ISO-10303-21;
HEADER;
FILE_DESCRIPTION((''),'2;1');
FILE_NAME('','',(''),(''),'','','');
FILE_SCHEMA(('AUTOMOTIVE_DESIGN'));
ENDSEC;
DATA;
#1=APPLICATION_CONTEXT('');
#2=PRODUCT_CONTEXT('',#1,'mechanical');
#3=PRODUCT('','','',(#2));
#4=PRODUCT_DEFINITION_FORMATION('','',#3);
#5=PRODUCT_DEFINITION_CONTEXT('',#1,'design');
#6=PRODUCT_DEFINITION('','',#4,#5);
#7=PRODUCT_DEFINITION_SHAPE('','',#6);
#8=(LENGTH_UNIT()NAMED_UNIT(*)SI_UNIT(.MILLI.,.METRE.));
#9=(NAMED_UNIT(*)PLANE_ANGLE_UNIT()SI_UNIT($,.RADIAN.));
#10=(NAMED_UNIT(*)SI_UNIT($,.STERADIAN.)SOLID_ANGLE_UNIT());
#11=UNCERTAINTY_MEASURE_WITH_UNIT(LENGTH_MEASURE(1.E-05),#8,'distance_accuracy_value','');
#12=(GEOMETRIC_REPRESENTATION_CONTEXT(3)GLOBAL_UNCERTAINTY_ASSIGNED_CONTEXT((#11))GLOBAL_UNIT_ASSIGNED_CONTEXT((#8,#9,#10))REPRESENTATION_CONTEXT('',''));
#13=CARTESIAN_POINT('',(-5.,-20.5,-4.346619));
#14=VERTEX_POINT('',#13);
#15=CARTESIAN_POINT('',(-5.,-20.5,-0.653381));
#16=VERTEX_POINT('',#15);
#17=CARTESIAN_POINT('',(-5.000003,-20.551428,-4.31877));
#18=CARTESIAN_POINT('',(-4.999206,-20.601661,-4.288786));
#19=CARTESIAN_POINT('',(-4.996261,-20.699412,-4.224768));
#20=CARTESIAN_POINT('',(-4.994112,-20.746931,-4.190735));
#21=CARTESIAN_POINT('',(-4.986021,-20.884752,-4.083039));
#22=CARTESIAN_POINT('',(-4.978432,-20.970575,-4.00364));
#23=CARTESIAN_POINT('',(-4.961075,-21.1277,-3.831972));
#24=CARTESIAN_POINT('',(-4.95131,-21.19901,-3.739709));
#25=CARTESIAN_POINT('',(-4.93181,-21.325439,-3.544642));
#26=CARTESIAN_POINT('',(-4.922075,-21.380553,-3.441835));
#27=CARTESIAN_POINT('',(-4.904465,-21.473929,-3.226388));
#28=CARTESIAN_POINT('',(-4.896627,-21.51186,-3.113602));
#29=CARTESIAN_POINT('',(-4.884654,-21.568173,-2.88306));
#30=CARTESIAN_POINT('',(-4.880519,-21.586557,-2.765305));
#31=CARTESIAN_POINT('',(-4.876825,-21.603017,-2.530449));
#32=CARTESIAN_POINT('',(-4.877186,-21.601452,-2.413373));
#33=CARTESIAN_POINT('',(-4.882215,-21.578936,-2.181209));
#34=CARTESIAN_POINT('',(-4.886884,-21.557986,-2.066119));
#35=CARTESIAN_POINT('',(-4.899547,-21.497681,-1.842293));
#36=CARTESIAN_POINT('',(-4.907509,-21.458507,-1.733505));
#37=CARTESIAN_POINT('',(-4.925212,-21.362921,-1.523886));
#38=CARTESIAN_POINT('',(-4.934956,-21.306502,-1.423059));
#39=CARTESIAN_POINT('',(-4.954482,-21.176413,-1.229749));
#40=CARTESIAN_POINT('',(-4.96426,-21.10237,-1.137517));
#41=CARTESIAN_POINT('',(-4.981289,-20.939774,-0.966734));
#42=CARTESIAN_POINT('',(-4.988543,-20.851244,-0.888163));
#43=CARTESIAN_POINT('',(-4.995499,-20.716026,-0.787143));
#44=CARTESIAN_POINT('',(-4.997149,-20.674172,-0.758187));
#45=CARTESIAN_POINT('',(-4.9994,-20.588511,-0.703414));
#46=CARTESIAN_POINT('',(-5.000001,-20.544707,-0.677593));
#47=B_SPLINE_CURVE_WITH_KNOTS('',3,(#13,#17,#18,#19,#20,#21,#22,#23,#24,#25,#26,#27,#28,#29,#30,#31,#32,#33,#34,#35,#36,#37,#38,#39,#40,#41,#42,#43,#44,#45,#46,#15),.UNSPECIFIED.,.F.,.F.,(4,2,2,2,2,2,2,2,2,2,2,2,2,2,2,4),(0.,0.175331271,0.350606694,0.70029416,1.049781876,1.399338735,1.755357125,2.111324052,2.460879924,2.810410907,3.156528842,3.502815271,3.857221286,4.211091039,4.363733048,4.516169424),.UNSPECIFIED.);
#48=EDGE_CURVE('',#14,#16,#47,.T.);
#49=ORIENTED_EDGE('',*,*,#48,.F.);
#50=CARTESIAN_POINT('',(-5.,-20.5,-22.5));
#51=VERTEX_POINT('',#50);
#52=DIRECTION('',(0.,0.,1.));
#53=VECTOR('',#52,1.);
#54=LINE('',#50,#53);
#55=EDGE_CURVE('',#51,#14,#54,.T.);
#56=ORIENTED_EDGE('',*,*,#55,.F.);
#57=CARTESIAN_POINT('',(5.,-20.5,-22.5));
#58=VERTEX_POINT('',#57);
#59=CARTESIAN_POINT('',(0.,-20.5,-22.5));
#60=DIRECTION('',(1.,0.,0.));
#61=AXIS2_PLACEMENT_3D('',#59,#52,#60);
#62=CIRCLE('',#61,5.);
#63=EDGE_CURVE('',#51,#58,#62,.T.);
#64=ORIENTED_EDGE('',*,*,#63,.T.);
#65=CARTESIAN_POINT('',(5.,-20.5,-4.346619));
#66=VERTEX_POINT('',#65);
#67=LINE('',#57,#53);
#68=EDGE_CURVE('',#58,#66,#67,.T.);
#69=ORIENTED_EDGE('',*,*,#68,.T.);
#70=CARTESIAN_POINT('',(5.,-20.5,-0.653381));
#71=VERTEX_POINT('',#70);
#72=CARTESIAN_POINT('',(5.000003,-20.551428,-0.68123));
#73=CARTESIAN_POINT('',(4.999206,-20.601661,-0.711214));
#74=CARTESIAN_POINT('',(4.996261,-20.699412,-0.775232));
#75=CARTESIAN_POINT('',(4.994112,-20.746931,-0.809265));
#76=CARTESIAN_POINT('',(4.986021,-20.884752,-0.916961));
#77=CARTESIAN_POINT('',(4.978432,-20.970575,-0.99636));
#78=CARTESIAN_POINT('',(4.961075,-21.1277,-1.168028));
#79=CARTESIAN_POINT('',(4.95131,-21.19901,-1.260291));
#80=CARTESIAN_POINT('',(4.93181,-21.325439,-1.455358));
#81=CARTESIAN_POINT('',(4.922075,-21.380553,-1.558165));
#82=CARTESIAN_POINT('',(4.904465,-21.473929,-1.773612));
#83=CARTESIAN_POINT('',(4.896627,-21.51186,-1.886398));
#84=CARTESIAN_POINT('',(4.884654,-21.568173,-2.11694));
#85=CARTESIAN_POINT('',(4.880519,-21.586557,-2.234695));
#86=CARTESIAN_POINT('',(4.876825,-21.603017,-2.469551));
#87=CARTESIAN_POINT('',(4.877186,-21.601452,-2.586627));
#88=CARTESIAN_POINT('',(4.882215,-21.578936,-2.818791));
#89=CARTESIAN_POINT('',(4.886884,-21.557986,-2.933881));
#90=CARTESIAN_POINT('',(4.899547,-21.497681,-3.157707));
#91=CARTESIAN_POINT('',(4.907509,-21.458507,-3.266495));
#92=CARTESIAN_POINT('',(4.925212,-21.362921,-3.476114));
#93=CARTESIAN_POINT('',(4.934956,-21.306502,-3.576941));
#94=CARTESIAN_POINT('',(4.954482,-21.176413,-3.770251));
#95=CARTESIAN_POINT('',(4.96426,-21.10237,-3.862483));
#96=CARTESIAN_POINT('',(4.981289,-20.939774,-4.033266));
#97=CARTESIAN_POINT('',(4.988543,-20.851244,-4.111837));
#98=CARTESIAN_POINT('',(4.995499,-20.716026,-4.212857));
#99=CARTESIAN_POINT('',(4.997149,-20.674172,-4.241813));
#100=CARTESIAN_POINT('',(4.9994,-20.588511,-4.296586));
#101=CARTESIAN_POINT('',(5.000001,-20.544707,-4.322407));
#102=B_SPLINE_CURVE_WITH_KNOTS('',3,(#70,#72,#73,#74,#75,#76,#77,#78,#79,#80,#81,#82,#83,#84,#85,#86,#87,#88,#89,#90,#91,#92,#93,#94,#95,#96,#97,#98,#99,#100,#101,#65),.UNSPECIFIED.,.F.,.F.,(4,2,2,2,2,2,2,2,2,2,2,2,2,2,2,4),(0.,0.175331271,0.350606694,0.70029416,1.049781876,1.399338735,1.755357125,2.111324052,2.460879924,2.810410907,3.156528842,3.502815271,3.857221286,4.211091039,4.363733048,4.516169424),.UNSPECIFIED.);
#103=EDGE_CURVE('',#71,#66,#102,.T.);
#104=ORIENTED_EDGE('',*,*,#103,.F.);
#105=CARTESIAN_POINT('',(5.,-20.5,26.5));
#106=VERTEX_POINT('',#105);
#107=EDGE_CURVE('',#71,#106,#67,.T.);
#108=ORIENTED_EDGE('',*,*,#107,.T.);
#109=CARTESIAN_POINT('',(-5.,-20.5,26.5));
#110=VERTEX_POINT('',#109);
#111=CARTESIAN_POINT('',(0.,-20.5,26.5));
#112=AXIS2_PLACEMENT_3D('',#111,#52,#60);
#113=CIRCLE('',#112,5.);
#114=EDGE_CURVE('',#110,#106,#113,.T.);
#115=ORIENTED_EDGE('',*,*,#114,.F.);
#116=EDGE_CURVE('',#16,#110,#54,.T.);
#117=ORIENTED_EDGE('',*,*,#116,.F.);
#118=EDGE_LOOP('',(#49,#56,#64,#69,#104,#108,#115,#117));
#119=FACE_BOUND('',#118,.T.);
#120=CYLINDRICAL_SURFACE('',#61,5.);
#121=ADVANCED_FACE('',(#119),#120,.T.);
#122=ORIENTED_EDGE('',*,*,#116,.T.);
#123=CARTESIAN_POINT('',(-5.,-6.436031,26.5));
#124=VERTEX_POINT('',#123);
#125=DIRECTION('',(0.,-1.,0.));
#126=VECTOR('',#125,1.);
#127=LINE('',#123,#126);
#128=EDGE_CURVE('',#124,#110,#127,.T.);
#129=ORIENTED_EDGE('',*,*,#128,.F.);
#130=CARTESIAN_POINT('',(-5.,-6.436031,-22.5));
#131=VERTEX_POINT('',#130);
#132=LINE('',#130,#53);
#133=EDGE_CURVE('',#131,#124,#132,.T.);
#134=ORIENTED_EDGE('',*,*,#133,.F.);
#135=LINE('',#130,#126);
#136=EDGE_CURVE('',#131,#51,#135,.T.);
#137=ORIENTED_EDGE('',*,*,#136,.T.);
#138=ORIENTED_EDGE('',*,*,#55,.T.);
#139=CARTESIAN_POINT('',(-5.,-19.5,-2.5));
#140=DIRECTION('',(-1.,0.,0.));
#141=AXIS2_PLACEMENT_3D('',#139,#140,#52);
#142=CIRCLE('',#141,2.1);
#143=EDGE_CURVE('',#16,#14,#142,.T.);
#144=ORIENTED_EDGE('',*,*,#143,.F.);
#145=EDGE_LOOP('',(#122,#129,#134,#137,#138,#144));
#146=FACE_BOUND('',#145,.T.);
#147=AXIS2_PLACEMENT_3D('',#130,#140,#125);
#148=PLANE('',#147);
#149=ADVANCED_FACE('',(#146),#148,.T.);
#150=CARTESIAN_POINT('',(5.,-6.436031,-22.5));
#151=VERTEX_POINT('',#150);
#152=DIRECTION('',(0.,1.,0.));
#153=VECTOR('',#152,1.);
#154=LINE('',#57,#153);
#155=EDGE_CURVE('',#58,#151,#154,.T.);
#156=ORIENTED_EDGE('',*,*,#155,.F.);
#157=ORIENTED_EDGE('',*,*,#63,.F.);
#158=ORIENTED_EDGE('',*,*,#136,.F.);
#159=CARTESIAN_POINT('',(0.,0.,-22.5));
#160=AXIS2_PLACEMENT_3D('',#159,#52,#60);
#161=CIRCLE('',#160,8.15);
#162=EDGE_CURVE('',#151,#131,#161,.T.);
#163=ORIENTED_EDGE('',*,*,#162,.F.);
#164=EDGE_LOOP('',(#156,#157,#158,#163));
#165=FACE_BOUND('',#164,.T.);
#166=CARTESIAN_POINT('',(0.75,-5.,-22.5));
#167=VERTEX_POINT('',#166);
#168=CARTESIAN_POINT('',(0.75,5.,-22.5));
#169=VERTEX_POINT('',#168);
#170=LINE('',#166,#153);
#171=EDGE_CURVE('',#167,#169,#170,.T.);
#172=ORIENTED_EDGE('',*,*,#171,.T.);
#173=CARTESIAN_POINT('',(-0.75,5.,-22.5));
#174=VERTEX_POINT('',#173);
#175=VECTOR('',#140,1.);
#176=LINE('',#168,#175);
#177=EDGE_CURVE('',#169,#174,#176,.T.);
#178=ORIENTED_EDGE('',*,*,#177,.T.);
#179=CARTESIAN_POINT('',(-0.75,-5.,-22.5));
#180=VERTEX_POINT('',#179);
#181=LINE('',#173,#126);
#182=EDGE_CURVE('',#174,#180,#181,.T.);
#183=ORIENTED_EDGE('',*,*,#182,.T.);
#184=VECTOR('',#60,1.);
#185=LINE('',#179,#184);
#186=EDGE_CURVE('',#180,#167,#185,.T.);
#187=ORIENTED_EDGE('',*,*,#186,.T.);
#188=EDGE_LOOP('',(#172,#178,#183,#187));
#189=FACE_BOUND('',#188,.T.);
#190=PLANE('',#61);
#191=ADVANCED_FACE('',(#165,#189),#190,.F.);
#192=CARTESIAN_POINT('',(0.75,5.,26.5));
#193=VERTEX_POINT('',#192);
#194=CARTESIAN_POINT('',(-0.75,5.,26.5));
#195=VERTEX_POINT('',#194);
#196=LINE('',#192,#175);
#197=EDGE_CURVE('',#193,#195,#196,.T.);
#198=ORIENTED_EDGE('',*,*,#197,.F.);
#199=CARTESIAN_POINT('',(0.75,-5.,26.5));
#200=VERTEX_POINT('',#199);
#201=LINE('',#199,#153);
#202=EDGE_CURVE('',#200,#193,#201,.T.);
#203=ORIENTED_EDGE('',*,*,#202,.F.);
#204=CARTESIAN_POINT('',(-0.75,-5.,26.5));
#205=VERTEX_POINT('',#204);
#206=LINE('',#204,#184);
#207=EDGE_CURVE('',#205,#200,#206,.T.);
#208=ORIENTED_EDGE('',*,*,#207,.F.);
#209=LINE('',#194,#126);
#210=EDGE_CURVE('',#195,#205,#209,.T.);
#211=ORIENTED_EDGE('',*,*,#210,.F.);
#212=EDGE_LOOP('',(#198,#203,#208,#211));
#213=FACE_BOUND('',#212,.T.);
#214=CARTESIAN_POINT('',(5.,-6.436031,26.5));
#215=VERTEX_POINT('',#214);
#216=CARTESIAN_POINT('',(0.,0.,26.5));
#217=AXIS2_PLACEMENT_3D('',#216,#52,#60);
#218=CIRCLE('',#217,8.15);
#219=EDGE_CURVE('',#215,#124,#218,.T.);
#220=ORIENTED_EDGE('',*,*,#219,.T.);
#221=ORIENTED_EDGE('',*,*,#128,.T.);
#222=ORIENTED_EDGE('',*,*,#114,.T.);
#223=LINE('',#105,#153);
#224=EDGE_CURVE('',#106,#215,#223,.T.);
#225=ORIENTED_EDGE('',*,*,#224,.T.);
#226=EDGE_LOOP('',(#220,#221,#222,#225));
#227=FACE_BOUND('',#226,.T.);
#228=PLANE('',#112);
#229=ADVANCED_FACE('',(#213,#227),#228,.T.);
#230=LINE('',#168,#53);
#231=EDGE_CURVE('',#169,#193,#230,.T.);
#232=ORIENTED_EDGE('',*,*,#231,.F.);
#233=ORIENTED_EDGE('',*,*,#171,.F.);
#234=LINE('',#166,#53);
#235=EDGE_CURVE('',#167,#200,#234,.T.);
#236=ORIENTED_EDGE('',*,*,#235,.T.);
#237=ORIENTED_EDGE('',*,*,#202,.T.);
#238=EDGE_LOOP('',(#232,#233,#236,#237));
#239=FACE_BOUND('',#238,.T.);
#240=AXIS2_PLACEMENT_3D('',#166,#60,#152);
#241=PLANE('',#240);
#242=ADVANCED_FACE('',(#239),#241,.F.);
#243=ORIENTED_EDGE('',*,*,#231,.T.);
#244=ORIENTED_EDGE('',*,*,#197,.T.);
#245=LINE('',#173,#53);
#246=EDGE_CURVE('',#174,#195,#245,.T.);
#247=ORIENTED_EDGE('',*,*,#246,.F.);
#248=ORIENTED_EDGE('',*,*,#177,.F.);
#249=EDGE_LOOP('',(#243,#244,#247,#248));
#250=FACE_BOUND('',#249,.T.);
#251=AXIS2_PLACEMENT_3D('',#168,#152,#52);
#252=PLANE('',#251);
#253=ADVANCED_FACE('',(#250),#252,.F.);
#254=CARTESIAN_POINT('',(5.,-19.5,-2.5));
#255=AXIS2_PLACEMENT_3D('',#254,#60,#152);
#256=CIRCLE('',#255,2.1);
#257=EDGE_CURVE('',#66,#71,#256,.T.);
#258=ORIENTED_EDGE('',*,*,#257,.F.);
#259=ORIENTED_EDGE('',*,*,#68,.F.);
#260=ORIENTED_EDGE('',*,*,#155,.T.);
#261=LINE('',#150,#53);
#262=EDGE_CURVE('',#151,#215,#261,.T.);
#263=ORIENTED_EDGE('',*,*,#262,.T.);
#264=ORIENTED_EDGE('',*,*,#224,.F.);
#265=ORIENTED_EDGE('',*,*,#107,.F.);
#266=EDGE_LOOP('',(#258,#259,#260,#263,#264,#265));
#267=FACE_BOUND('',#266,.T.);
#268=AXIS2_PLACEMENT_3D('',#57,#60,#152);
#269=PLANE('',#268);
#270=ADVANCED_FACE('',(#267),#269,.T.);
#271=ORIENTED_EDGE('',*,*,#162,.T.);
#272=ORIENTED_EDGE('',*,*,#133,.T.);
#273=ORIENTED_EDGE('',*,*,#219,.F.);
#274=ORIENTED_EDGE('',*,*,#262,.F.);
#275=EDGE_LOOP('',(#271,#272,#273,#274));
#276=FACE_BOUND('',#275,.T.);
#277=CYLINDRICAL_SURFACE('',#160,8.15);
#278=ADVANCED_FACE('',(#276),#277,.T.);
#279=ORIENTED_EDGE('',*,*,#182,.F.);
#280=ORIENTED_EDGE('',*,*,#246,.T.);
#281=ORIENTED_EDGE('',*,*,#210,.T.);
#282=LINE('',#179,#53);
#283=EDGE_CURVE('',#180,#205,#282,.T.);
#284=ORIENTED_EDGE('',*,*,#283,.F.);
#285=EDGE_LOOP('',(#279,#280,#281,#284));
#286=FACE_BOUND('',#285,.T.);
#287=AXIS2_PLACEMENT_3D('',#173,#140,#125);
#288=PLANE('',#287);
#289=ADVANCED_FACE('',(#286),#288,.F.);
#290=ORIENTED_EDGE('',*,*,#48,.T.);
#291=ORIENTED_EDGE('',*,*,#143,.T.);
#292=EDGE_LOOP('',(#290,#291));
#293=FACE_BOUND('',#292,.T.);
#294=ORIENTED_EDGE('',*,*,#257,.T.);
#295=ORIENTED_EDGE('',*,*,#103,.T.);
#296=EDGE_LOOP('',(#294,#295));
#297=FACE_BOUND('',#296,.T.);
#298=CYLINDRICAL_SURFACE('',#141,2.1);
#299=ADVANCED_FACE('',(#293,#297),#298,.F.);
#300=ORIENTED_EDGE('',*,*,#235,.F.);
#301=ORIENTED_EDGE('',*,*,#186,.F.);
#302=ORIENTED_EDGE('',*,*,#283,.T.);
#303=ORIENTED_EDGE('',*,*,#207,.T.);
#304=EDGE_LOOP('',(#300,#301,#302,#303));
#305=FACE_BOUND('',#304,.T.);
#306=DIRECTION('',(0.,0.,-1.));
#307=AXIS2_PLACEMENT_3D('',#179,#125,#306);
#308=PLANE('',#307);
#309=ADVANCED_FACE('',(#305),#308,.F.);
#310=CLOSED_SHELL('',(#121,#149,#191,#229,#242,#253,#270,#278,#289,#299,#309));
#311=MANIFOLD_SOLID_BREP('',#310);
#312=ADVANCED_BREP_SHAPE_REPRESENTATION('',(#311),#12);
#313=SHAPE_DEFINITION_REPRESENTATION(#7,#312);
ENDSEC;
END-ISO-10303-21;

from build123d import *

# Parameters (mm, degrees)
ESQUISSE2_W           = 1.5
ESQUISSE2_H           = 10
EXTRUSION2_DEPTH      = 9
EXTRUSION2_DEPTH_BACK = 40
TROU_TARAUD_M51_D     = 4.2


with BuildPart() as part:
    # Esquisse2 → Extrusion2 (new body, two sides)
    with BuildSketch(Plane.XY.offset(17.5)) as extrusion2_sk:
        with BuildLine():
            Line((-5, -6.436031386), (-5, -20.5))
            ThreePointArc((-5, -20.5), (0, -25.5), (5, -20.5))
            Line((5, -20.5), (5, -6.436031386))
            ThreePointArc((5, -6.436031386), (0, 8.15), (-5, -6.436031386))
        make_face()
        Rectangle(ESQUISSE2_W, ESQUISSE2_H, mode=Mode.SUBTRACT)
    extrude(amount=EXTRUSION2_DEPTH)
    extrude(extrusion2_sk.sketch, amount=-EXTRUSION2_DEPTH_BACK)

    # Trou taraudé M51 (through all)
    with Locations(Plane(origin=(-5, -19.5, -2.5), x_dir=(0, -1, 0), z_dir=(-1, 0, 0))):
        with Locations((0, 0)):
            Hole(TROU_TARAUD_M51_D / 2)


solid = part.part
